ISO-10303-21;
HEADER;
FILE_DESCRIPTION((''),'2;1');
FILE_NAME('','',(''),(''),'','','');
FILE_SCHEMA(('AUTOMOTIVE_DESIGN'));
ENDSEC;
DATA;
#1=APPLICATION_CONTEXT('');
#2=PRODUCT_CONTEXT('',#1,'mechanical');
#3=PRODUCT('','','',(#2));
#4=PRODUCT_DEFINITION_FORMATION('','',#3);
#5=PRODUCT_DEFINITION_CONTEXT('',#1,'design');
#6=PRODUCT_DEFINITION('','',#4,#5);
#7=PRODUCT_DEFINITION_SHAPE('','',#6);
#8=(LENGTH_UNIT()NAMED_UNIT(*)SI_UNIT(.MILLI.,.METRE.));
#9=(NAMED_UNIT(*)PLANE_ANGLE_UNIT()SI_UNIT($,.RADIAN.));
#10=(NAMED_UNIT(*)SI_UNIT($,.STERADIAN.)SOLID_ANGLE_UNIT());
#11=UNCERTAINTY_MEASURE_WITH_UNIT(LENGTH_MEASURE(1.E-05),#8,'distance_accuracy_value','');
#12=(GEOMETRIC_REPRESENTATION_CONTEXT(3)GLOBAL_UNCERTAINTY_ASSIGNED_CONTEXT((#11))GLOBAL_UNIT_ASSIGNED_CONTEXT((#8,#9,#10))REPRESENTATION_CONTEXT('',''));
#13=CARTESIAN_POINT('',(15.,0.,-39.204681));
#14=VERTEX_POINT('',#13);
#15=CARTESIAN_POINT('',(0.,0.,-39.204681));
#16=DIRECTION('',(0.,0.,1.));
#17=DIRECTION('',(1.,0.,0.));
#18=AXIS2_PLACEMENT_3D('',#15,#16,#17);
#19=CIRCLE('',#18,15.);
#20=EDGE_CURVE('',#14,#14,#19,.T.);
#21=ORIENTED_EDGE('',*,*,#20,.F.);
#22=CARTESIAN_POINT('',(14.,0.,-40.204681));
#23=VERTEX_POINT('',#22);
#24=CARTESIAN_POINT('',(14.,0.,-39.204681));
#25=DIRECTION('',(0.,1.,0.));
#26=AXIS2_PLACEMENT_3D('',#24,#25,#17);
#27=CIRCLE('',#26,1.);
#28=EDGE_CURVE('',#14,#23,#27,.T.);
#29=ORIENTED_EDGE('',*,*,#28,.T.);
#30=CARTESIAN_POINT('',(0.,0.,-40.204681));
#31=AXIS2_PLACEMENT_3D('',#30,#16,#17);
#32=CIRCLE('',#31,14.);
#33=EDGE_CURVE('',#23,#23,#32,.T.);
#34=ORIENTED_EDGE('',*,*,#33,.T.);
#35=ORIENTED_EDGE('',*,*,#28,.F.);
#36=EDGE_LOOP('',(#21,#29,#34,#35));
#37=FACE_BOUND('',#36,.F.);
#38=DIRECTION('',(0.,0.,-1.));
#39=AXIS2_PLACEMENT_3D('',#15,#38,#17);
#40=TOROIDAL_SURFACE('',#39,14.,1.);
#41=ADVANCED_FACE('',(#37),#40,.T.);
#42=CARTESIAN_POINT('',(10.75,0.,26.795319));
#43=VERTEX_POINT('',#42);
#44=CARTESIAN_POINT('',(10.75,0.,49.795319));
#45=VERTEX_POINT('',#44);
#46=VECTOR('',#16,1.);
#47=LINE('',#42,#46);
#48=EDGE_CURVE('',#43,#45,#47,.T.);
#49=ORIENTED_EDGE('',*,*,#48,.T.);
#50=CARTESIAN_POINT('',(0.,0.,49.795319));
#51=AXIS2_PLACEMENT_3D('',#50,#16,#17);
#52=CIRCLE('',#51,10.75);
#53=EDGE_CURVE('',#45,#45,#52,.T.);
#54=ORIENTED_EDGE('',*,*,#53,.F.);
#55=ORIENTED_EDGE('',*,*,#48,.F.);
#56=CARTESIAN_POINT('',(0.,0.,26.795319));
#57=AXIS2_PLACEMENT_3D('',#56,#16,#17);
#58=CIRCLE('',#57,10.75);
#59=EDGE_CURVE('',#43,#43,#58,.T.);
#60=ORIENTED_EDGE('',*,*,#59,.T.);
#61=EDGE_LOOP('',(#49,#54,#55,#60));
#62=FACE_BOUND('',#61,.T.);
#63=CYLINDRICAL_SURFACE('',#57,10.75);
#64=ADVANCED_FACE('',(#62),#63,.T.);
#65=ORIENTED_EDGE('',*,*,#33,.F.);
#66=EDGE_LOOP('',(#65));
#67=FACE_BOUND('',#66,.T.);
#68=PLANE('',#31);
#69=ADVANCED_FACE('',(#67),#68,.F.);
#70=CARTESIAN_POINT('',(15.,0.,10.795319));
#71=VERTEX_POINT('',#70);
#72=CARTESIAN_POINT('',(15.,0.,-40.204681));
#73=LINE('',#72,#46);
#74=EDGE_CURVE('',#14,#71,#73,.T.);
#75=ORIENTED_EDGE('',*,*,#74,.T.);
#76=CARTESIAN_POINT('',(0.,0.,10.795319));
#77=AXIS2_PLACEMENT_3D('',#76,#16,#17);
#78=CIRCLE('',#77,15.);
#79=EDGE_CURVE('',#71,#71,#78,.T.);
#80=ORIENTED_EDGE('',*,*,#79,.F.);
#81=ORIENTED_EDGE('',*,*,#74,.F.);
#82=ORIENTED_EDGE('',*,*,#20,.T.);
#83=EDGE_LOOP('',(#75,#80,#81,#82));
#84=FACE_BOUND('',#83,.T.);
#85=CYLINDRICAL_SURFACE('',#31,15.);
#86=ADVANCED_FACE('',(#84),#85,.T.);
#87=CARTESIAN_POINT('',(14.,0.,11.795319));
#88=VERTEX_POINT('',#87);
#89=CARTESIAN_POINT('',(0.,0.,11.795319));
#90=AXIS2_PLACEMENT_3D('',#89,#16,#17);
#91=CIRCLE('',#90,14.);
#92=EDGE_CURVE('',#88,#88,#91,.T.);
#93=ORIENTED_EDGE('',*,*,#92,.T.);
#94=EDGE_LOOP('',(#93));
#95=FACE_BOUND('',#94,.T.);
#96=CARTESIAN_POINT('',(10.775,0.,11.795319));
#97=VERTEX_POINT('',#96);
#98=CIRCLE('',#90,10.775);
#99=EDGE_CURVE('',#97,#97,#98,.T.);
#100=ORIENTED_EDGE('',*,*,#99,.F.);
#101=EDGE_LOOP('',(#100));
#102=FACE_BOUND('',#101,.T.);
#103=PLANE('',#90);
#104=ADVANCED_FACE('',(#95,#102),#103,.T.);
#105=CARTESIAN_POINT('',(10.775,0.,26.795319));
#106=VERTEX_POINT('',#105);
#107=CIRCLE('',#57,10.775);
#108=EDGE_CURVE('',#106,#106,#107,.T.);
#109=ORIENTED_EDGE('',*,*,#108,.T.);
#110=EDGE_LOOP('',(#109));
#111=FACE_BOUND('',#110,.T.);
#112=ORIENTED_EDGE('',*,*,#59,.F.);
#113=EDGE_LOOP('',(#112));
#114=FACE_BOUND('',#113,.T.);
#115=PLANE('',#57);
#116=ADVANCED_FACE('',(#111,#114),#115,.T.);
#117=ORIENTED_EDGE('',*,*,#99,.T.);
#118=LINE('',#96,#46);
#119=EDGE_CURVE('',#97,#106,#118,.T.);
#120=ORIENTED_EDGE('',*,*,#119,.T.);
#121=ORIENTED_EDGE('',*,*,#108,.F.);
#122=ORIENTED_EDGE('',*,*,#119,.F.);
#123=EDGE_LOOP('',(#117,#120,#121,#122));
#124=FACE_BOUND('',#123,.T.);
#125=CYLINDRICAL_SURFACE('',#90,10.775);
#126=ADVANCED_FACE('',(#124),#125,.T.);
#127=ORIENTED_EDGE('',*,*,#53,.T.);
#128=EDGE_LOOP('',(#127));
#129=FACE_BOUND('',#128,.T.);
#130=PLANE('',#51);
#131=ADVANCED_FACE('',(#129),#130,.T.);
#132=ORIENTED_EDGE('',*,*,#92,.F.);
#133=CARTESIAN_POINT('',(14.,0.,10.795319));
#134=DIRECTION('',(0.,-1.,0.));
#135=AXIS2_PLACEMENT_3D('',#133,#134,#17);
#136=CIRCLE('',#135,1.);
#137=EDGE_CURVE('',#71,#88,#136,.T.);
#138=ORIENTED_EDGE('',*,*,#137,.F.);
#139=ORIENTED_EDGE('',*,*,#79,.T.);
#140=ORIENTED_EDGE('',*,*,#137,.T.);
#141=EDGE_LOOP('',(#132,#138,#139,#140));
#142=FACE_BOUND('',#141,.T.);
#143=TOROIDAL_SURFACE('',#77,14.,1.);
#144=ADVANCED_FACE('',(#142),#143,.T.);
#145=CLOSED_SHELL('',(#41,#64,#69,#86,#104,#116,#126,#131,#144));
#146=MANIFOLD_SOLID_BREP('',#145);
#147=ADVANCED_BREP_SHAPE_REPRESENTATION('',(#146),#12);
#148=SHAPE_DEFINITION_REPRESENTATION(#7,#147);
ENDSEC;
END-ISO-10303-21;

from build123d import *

# Parameters (mm, degrees)
F2_R = 1
F3_R = 1


with BuildPart() as f1:
    # F0 (on Front) → F1 (revolve)
    with BuildSketch(Plane.XZ):
        Polygon((10.75, 49.795319), (0, 49.795319), (0, 11.795319), (0, -40.204681), (15, -40.204681), (15, 11.795319), (10.775, 11.795319), (10.775, 26.795319), (10.75, 26.795319), align=None)
    revolve(axis=Axis((0, 0, 30.795319), (0, 0, 1)))

    # F2
    f2_edges = [f1.edges().sort_by_distance(p)[0] for p in [
        (-15, 0, 11.795319),
    ]]
    fillet(f2_edges, radius=F2_R)

    # F3
    f3_edges = [f1.edges().sort_by_distance(p)[0] for p in [
        (-15, 0, -40.204681),
    ]]
    fillet(f3_edges, radius=F3_R)


solid = f1.part
